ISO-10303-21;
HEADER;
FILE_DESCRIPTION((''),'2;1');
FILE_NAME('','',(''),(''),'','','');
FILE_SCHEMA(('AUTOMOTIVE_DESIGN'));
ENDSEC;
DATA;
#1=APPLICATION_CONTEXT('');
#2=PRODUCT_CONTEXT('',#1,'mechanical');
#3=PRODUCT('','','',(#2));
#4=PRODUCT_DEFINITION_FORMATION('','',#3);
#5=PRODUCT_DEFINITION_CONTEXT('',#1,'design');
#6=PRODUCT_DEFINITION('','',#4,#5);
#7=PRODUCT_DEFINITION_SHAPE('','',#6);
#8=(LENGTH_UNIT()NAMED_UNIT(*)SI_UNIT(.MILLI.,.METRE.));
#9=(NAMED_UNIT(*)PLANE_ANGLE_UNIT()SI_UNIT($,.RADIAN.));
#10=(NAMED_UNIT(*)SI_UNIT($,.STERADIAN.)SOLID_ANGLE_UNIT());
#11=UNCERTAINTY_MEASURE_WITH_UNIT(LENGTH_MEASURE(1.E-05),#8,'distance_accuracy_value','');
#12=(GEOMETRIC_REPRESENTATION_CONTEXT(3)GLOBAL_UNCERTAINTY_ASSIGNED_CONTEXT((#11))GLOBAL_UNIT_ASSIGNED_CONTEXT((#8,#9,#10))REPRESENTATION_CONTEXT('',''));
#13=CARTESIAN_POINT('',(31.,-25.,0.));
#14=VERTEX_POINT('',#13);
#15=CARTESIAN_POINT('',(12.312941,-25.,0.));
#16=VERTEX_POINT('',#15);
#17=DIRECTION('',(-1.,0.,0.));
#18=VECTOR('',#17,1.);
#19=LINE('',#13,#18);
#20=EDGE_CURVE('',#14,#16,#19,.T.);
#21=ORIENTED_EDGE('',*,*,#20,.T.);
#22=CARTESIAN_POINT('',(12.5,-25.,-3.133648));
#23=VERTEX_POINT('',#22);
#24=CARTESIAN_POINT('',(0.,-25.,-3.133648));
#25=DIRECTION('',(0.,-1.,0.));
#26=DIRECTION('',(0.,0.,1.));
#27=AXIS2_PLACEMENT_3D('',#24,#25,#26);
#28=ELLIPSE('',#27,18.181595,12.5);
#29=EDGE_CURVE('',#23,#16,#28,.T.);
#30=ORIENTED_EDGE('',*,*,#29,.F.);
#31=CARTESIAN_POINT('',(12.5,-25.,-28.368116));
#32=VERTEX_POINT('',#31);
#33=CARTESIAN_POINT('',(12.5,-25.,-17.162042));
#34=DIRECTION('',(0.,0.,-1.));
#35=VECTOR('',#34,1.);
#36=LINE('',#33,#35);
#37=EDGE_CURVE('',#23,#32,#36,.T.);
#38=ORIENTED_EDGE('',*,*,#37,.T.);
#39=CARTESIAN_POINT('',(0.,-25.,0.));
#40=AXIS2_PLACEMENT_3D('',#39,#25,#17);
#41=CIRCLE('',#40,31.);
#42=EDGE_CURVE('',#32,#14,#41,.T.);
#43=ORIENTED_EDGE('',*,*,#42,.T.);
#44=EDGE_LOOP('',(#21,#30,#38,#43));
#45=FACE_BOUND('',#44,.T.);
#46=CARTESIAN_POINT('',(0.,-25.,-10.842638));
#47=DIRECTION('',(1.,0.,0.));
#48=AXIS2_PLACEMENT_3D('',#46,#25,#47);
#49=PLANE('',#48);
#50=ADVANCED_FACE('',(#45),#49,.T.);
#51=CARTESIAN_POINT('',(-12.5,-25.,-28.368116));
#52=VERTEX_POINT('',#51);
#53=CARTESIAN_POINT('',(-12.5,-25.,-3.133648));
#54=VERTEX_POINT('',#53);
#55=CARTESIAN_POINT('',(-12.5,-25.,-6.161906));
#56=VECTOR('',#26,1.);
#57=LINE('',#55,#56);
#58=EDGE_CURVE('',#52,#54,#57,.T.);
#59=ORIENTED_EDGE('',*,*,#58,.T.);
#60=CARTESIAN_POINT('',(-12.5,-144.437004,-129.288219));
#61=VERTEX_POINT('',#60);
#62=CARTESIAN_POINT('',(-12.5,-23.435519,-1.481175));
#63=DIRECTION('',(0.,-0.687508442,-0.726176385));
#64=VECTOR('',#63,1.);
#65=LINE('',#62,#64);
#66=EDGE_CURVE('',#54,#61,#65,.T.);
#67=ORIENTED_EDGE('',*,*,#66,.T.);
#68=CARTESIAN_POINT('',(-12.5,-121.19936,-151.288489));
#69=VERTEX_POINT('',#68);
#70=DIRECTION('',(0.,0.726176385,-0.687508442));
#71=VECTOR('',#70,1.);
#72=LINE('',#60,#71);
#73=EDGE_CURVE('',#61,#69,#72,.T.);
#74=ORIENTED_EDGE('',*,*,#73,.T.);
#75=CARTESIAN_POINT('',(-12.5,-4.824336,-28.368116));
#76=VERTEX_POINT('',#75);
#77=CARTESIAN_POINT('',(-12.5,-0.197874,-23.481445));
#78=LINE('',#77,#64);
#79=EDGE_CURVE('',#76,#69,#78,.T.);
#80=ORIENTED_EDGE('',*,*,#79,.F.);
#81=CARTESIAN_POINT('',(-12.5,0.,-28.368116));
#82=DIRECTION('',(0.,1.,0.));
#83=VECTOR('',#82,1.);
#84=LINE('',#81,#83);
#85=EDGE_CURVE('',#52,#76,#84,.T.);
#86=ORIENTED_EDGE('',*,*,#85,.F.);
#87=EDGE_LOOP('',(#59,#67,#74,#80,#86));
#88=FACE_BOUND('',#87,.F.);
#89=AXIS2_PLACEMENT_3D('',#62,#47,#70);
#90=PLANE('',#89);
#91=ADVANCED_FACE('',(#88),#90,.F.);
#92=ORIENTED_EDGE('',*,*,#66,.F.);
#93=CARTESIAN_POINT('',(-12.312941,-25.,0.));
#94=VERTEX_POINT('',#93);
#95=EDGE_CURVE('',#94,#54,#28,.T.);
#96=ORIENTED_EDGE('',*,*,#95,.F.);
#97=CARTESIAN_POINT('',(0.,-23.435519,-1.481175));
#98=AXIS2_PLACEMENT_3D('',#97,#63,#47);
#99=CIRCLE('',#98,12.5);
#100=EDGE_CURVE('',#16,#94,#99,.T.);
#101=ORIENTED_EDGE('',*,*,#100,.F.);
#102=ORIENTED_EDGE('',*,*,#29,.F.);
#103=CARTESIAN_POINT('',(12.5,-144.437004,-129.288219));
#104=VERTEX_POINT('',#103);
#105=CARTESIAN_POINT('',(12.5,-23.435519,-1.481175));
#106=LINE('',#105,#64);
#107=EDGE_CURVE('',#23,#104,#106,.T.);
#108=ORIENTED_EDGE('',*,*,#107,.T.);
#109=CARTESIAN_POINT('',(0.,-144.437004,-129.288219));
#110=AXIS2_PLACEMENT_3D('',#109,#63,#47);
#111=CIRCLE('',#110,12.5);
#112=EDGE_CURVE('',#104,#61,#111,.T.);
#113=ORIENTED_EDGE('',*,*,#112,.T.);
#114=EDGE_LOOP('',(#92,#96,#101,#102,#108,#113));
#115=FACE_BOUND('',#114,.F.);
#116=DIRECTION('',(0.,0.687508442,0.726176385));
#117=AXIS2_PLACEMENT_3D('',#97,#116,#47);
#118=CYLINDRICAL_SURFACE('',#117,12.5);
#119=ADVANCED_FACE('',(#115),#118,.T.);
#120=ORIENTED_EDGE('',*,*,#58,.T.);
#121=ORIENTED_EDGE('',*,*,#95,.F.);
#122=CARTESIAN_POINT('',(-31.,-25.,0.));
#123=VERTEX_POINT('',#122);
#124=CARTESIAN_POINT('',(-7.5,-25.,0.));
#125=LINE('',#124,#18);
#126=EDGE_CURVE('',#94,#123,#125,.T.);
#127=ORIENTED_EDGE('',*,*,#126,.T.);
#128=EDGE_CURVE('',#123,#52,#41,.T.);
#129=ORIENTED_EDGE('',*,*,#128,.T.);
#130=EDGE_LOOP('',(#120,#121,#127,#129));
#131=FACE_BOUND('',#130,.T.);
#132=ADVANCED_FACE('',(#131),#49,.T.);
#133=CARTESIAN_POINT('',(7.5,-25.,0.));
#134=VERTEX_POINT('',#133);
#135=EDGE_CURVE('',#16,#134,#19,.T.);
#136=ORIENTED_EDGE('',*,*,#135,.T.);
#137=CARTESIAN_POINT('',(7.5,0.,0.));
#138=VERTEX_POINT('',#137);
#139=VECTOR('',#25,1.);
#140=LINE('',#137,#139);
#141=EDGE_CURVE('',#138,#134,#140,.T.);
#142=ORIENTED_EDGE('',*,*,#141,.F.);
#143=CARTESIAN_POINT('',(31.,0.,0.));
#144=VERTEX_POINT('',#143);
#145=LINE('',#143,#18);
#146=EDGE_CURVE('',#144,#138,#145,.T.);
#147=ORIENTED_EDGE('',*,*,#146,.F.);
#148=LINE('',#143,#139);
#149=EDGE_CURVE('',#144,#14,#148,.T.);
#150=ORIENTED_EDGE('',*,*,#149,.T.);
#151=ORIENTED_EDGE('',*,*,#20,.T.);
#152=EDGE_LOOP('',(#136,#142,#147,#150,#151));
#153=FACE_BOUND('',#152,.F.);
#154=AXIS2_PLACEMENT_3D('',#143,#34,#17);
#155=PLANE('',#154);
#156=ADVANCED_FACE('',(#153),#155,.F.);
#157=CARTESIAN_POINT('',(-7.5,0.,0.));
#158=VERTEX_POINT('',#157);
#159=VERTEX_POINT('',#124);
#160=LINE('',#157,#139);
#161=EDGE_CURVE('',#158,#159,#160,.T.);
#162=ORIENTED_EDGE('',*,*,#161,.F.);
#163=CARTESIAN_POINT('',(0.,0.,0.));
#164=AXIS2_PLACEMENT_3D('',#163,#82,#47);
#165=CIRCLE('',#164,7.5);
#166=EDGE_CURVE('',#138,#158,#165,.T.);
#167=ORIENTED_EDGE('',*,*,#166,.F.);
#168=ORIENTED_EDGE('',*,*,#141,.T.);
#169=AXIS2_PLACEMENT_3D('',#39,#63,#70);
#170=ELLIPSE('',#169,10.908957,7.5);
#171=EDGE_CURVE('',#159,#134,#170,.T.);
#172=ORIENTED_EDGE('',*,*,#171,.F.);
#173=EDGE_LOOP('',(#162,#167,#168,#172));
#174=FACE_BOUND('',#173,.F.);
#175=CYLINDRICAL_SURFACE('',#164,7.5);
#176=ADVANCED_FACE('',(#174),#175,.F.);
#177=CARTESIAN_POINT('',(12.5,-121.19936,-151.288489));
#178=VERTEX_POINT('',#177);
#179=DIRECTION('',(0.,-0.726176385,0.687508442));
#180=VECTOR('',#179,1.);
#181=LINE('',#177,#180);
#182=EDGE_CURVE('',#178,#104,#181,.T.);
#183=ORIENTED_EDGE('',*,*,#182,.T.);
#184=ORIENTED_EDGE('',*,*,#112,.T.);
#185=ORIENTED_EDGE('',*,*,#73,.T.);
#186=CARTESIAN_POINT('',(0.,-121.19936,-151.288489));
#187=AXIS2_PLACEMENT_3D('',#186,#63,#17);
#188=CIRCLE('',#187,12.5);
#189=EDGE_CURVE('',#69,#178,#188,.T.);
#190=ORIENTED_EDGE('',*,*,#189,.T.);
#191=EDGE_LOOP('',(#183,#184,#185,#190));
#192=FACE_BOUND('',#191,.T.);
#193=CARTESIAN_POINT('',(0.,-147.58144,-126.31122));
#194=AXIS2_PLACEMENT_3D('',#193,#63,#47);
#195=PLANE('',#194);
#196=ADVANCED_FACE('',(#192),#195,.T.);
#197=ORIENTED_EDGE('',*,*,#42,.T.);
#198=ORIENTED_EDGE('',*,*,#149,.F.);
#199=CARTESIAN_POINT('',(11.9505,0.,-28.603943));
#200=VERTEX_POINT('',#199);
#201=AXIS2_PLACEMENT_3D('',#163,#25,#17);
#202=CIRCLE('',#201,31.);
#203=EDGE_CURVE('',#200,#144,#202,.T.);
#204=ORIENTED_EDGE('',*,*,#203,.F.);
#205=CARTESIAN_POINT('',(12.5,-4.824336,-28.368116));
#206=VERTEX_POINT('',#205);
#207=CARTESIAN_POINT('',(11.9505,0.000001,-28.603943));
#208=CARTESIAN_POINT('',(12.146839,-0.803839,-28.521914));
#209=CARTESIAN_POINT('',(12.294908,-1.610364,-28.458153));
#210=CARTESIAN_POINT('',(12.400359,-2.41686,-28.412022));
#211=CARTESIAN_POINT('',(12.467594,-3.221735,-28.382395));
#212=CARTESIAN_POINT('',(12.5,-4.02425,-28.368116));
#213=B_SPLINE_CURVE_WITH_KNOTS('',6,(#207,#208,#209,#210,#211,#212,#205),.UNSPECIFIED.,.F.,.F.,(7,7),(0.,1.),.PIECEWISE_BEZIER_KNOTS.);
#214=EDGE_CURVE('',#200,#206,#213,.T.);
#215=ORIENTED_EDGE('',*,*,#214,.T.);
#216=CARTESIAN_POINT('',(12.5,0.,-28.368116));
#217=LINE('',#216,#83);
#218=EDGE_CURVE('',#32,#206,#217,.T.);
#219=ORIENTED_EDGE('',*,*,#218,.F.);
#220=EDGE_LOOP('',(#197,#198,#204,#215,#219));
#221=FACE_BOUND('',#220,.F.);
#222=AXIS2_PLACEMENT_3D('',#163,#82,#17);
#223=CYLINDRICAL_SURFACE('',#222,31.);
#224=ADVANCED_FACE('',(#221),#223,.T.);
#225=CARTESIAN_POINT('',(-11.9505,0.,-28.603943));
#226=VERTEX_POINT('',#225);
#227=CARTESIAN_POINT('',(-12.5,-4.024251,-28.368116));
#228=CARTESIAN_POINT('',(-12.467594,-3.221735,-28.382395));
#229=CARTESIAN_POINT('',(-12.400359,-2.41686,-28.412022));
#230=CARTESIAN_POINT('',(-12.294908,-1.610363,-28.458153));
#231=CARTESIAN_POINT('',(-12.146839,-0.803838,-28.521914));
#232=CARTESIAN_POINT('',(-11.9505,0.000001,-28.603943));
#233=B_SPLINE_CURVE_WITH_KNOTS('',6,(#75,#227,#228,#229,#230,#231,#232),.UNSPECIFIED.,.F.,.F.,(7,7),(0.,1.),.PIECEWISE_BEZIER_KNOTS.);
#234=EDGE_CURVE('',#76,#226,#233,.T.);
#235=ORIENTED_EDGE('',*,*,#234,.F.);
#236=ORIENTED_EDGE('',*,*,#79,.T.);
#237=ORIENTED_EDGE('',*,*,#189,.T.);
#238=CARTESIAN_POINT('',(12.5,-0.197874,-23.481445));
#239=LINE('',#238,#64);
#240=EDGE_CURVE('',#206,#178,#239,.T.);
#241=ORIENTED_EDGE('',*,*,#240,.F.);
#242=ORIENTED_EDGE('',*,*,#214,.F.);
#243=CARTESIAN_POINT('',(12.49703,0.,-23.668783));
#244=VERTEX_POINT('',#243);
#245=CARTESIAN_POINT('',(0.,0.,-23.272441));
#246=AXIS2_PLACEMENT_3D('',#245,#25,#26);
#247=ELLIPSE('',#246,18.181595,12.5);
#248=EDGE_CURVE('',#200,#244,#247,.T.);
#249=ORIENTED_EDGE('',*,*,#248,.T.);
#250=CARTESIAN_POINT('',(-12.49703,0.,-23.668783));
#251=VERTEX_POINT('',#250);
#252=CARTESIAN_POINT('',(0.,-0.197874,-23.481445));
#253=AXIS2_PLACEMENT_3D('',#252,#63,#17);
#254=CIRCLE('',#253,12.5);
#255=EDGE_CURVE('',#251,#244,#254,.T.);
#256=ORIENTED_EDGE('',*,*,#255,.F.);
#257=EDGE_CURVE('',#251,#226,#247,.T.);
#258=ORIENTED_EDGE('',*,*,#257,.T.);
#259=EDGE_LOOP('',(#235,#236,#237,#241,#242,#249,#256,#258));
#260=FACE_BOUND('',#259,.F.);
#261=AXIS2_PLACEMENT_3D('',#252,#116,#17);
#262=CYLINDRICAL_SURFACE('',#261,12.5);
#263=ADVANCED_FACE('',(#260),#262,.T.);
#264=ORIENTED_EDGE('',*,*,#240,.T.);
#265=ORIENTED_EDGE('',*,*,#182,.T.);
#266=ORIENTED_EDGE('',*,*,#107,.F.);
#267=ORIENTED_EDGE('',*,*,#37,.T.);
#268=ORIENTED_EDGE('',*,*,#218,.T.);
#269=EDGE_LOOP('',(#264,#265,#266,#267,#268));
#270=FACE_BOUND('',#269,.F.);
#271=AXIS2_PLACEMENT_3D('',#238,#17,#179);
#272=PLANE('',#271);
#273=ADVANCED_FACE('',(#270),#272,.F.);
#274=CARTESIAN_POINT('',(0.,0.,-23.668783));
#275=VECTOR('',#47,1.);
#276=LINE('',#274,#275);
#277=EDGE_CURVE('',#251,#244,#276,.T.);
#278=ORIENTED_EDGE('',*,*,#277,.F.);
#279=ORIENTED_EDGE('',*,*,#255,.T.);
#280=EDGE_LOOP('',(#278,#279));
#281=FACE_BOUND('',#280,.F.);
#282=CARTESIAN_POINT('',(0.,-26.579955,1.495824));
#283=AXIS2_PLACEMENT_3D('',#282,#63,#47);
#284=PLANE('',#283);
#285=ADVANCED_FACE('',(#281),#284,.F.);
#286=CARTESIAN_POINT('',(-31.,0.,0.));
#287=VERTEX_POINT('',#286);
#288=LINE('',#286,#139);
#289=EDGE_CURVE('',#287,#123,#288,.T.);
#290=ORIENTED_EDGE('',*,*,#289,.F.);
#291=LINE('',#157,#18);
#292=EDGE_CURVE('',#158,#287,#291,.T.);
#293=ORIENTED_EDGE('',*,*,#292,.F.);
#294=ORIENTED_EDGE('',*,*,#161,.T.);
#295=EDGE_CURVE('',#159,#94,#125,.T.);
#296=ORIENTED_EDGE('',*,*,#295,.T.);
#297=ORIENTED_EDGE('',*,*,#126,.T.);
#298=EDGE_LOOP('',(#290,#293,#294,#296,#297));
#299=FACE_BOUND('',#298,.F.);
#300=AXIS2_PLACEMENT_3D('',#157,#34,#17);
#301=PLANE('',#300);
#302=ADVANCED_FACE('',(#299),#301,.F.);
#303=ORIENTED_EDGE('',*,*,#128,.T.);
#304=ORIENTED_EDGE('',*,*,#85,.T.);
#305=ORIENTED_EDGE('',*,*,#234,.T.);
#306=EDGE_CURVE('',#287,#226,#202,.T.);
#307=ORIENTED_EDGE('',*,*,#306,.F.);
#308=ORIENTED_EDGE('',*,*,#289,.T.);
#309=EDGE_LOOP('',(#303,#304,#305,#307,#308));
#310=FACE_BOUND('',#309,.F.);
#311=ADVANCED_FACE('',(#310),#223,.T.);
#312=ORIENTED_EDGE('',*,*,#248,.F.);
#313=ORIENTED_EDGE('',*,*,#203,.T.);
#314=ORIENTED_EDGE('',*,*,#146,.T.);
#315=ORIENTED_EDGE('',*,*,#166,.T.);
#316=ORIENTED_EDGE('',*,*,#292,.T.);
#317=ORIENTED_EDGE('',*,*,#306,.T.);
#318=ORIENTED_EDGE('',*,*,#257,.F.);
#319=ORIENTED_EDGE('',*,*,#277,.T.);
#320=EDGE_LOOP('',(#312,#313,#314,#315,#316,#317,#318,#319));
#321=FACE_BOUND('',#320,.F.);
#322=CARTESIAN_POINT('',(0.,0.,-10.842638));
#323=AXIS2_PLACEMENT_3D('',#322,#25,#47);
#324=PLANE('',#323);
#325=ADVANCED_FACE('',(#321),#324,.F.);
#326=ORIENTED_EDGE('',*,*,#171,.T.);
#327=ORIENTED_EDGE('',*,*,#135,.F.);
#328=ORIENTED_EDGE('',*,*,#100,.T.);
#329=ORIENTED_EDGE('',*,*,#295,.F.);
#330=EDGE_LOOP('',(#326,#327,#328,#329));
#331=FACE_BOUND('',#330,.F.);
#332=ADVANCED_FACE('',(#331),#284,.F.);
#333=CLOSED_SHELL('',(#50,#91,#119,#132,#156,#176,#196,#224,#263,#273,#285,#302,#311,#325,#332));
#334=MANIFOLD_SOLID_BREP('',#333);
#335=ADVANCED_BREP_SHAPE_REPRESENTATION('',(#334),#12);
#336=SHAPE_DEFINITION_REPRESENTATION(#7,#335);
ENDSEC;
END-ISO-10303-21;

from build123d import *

# Parameters (mm, degrees)
F1_DEPTH = 25
F5_DEPTH = 176


with BuildPart() as f1:
    # F0 (on Front) → F1 (new body)
    with BuildSketch(Plane.XZ):
        with BuildLine():
            ThreePointArc((-31, 0), (0, -31), (31, 0))
            Line((31, 0), (7.5, 0))
            ThreePointArc((7.5, 0), (0, -7.5), (-7.5, 0))
            Line((-7.5, 0), (-31, 0))
        make_face()
    extrude(amount=F1_DEPTH)

    # F4 (on face) → F5 (join)
    with BuildSketch(Plane(origin=(0, -11.816696451, -12.4813098776), x_dir=(1, 0, 0), z_dir=(0, -0.6875084422, -0.7261763849))):
        with BuildLine():
            Line((-12.5, 16), (0, 16))
            Line((0, 16), (12.5, 16))
            ThreePointArc((12.5, 16), (0, 28.5), (-12.5, 16))
        make_face()
        with BuildLine():
            Line((0, 16), (0, 3.5))
            ThreePointArc((0, 3.5), (8.8388347648, 7.1611652352), (12.5, 16))
            Line((12.5, 16), (0, 16))
        make_face()
        with BuildLine():
            ThreePointArc((-12.5, 16), (-8.8388347648, 7.1611652352), (0, 3.5))
            Line((0, 3.5), (0, 16))
            Line((0, 16), (-12.5, 16))
        make_face()
        with BuildLine():
            Line((0, -16), (0, -3.5))
            ThreePointArc((0, -3.5), (-8.8388347648, -7.1611652352), (-12.5, -16))
            ThreePointArc((-12.5, -16), (0, -28.5), (12.5, -16))
            Line((12.5, -16), (0, -16))
        make_face()
        with BuildLine():
            Line((0, 3.5), (0, 0))
            Line((0, 0), (0, -3.5))
            ThreePointArc((0, -3.5), (8.8388347648, -7.1611652352), (12.5, -16))
            Line((12.5, -16), (12.5, 16))
            ThreePointArc((12.5, 16), (8.8388347648, 7.1611652352), (0, 3.5))
        make_face()
        with BuildLine():
            Line((0, -3.5), (0, 0))
            Line((0, 0), (0, 3.5))
            ThreePointArc((0, 3.5), (-8.8388347648, 7.1611652352), (-12.5, 16))
            Line((-12.5, 16), (-12.5, -16))
            ThreePointArc((-12.5, -16), (-8.8388347648, -7.1611652352), (0, -3.5))
        make_face()
        with BuildLine():
            ThreePointArc((12.5, -16), (8.8388347648, -7.1611652352), (0, -3.5))
            Line((0, -3.5), (0, -16))
            Line((0, -16), (12.5, -16))
        make_face()
    extrude(amount=F5_DEPTH)


solid = f1.part
